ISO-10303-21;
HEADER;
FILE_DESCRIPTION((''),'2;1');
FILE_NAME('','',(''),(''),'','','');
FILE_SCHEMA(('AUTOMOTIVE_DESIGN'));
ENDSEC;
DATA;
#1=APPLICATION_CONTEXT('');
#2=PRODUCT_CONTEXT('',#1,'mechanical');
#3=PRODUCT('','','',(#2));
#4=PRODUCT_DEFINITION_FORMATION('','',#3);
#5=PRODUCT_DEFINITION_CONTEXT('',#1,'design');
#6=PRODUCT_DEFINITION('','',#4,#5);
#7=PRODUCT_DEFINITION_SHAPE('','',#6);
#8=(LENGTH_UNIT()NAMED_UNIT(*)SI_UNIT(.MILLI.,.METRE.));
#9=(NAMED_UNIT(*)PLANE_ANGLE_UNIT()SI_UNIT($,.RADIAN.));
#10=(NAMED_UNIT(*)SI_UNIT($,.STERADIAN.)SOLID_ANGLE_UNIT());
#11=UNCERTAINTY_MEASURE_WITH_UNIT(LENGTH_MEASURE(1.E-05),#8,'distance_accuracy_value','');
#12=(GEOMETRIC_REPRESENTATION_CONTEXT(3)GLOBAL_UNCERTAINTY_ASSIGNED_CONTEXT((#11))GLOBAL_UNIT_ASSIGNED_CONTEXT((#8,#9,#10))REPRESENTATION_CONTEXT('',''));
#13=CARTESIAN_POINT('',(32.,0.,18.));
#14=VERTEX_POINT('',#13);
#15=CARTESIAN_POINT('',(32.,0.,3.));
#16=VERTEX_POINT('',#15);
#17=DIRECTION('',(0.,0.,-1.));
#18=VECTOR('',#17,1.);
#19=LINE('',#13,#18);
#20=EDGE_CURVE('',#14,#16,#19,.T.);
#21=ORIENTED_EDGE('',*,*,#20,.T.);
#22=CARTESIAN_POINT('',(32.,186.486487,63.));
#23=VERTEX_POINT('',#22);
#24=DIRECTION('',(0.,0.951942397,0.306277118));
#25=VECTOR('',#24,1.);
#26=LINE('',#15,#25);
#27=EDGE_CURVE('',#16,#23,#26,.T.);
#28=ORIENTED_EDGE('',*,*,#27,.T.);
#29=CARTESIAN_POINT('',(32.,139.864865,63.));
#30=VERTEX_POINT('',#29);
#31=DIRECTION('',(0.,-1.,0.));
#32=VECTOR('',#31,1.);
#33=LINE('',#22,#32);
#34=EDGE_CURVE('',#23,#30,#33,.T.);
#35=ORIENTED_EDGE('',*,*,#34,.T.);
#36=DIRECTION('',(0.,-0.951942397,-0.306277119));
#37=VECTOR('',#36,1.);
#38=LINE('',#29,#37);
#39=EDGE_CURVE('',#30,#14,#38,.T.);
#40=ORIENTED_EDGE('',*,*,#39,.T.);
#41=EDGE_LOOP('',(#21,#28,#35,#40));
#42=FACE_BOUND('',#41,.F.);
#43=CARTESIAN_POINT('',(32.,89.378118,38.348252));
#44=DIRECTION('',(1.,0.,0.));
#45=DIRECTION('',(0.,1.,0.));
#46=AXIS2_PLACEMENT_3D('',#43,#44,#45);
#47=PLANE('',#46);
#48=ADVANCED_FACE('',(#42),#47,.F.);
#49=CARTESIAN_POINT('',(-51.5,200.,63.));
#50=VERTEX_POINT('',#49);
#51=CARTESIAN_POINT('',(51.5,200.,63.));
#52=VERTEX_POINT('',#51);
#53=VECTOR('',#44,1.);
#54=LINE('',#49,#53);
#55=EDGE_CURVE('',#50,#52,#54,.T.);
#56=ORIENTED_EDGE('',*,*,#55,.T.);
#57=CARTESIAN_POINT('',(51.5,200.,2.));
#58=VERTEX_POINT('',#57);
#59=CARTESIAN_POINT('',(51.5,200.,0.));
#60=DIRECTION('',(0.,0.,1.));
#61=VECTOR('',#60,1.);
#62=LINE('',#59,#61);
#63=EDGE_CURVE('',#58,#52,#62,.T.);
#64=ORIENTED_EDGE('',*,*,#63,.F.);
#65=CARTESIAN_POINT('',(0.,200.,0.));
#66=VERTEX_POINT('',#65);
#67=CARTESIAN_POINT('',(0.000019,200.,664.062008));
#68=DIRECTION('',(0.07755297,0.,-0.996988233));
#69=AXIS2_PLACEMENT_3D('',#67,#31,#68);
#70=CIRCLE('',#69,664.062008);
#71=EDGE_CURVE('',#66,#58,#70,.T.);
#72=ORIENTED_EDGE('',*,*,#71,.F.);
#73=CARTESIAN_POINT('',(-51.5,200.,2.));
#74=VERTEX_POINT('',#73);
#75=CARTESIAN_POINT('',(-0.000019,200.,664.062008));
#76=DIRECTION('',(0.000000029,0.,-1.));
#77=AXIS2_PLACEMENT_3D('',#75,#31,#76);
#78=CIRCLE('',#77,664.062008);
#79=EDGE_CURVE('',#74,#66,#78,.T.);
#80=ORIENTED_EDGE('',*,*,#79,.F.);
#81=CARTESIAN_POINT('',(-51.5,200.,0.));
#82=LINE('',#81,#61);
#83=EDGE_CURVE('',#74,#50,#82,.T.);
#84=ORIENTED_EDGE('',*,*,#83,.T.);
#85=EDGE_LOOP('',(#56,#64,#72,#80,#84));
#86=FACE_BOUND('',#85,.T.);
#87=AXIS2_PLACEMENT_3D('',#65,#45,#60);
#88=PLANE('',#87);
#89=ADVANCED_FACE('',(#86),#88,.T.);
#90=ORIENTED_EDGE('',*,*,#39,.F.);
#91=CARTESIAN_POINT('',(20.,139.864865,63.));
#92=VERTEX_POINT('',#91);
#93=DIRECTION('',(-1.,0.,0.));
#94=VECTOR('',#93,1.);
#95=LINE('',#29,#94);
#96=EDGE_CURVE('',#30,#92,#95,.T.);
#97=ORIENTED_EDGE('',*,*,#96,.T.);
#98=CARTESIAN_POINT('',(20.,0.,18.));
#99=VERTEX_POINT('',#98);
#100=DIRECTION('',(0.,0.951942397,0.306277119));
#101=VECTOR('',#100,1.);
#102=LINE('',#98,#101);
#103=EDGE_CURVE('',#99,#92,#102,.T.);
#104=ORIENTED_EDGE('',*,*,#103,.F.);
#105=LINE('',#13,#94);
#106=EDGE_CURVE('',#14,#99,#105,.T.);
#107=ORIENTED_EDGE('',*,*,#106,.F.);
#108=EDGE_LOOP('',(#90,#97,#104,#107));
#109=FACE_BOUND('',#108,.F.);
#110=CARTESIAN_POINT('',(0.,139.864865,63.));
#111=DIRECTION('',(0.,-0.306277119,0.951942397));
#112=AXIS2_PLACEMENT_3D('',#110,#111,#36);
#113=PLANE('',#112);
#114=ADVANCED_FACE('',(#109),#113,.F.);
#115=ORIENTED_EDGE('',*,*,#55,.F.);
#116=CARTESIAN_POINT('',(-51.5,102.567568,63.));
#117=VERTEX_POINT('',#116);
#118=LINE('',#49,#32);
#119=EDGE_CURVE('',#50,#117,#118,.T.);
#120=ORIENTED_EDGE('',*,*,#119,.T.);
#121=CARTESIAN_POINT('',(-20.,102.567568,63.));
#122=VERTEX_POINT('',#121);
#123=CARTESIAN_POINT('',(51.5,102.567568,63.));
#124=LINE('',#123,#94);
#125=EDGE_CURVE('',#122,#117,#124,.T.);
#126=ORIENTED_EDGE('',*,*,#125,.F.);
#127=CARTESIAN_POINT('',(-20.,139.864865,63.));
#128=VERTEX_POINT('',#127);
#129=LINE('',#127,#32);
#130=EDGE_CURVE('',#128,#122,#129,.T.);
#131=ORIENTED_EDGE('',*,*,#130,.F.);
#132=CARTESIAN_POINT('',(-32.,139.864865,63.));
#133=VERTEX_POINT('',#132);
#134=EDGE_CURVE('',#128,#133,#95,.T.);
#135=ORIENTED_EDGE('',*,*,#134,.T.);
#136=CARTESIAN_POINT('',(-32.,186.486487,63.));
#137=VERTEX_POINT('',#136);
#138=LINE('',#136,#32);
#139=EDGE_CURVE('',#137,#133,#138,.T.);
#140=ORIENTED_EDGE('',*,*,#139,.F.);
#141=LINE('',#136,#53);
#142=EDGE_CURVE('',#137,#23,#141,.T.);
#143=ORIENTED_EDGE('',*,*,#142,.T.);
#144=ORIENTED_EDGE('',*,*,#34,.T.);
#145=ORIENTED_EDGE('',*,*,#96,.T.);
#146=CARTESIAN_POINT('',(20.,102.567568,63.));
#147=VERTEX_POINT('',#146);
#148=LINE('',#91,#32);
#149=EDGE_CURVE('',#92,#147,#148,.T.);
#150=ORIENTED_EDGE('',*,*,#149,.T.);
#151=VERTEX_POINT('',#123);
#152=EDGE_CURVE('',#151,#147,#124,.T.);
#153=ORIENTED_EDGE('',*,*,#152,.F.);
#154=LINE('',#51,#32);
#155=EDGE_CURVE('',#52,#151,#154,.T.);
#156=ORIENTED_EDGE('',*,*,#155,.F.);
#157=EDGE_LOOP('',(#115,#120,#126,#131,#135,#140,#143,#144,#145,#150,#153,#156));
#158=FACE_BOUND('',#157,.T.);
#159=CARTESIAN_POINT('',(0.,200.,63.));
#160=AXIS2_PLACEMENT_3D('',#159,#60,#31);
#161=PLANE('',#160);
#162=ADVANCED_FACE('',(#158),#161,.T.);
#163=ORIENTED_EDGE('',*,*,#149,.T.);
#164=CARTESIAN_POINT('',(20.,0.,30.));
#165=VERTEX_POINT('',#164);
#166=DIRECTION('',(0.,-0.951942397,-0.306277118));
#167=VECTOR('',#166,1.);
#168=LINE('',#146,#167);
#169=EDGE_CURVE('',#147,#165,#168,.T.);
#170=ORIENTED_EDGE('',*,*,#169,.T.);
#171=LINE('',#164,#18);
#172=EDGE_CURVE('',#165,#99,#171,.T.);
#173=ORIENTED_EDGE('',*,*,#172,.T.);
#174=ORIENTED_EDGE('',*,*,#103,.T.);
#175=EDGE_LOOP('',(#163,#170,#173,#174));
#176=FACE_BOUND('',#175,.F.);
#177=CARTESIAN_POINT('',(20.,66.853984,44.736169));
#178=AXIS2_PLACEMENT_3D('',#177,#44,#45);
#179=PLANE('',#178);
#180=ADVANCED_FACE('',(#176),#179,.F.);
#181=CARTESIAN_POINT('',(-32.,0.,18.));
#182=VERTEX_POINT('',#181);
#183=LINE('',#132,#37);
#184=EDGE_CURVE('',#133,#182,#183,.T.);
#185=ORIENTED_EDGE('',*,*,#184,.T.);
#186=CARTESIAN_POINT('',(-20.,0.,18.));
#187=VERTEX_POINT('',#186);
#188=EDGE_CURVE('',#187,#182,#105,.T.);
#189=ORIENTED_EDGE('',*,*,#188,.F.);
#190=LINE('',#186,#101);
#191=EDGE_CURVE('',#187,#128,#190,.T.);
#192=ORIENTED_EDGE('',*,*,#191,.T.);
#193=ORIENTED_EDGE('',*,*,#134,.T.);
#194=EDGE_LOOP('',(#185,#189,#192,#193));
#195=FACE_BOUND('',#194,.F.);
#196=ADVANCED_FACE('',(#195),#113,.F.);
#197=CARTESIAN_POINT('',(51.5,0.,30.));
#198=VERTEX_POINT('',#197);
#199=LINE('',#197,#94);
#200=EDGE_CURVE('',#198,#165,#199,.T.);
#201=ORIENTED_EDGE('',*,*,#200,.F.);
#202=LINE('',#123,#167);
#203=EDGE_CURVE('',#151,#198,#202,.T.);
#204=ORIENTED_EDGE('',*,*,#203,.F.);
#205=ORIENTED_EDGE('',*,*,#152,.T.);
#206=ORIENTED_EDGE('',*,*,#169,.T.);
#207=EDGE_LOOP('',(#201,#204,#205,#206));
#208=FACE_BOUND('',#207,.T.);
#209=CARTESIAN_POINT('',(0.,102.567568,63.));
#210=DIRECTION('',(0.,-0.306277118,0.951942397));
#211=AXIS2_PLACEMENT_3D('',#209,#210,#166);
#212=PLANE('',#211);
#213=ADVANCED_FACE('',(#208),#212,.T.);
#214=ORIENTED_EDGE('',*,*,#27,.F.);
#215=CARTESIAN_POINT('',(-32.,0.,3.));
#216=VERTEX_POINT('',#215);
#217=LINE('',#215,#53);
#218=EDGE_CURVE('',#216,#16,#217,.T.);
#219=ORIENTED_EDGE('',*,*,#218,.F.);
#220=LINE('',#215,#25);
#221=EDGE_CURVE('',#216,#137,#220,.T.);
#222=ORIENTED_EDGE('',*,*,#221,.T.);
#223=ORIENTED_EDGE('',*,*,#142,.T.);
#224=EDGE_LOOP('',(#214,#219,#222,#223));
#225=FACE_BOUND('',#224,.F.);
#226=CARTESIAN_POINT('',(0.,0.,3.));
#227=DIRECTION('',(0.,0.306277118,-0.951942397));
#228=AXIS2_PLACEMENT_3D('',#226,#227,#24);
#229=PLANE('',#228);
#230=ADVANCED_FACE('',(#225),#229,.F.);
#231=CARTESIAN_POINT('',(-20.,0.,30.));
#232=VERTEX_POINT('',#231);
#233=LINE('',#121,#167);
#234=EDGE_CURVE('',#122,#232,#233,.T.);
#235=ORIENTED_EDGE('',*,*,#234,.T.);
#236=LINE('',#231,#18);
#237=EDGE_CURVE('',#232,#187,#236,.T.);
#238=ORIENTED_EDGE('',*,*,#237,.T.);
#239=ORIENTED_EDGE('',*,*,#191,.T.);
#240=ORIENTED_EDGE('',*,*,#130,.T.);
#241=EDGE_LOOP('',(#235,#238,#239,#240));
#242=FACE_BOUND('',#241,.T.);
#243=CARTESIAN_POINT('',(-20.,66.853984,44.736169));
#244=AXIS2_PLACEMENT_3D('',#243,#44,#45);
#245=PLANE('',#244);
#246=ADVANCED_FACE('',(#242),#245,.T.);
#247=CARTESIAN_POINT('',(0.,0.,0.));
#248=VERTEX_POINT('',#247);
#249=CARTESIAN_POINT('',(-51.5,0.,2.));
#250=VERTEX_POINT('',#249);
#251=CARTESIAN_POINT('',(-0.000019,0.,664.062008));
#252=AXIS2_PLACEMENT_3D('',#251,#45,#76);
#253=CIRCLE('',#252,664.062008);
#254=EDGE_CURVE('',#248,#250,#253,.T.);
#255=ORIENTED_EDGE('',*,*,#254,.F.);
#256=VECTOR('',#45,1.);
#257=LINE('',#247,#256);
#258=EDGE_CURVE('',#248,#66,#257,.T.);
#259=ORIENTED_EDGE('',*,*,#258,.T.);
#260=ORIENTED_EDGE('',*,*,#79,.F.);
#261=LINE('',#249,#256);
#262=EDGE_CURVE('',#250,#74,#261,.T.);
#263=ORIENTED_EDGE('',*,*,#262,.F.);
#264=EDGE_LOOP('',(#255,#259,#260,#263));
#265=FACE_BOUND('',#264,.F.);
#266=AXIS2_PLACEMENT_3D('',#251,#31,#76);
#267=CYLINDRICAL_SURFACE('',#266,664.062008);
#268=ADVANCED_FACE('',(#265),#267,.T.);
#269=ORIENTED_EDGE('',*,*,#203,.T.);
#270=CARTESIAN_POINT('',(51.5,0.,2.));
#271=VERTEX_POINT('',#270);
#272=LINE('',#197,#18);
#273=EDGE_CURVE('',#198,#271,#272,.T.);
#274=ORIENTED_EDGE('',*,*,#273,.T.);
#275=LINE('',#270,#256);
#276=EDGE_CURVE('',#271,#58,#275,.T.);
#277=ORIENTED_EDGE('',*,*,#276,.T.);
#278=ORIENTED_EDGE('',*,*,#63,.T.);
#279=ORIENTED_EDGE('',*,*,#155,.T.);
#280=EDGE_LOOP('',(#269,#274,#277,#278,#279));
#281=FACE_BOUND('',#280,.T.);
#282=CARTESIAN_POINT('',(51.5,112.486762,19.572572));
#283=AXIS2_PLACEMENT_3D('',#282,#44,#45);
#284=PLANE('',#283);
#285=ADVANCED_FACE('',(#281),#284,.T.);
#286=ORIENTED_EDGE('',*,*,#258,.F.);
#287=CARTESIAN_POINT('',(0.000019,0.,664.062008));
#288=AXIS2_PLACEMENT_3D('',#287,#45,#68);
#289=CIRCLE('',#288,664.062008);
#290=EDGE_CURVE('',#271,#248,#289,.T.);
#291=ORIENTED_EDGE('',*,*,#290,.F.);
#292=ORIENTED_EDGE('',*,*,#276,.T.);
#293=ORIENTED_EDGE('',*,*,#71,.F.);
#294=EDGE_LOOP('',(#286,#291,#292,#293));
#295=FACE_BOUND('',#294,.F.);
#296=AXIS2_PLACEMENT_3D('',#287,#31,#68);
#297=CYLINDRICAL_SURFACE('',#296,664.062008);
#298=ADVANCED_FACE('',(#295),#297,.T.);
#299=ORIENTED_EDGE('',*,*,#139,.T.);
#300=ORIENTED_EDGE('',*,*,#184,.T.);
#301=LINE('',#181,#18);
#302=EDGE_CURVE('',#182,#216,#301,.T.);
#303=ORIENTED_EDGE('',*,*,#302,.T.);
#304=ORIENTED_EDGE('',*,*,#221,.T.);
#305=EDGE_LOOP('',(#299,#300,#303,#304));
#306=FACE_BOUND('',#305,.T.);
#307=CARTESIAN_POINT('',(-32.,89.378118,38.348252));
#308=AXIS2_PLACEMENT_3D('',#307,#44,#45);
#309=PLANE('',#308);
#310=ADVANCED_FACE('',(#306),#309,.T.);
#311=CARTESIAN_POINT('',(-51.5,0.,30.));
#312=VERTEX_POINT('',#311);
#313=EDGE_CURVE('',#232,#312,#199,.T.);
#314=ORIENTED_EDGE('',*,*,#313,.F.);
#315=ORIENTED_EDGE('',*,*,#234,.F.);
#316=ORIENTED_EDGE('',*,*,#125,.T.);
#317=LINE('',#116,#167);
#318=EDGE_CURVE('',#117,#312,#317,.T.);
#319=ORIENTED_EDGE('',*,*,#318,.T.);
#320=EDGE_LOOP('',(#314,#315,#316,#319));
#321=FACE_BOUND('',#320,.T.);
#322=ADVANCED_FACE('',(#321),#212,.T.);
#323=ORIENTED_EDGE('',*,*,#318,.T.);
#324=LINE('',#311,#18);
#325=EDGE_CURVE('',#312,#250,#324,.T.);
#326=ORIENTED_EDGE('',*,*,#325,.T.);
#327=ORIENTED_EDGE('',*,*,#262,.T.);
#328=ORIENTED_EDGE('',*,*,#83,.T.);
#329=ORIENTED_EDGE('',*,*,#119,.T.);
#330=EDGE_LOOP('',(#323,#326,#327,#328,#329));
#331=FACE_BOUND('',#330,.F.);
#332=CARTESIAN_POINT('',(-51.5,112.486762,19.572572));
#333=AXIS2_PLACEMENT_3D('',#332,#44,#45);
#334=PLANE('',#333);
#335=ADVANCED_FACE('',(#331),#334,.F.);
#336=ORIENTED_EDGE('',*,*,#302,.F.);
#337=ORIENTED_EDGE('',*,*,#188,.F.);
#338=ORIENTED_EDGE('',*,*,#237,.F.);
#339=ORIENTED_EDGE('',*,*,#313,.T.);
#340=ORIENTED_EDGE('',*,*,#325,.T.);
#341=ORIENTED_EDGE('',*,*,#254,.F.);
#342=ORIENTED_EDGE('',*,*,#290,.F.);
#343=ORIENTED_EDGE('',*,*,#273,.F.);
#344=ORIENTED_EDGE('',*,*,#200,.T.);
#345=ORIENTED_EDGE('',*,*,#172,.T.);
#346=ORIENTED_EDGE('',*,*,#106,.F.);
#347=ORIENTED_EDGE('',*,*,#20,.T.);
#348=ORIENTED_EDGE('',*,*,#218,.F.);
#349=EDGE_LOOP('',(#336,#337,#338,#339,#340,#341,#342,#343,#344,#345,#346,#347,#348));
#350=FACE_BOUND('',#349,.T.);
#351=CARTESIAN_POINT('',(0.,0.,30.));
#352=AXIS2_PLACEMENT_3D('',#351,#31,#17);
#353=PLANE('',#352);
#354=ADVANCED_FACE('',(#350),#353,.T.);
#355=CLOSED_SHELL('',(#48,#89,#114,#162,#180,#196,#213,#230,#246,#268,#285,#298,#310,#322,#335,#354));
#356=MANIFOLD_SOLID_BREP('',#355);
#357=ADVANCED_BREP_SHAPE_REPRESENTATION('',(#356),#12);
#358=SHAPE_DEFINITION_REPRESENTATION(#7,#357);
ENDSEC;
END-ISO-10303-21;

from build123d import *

# Parameters (mm, degrees)
F1_DEPTH = 51.5
F2_DEPTH = 20
F3_DEPTH = 32
F5_DEPTH = 200.001


with BuildPart() as f1:
    # F0 (on Right) → F1 (new body, symmetric)
    with BuildSketch(Plane.YZ):
        Polygon((0, 3), (0, 0), (200, 0), (200, 63), (186.486487, 63), align=None)
        Polygon((0, 18), (0, 3), (186.486487, 63), (139.864865, 63), align=None)
        Polygon((0, 30), (0, 18), (139.864865, 63), (102.567568, 63), align=None)
    extrude(amount=F1_DEPTH, both=True)

    # F0 (on Right) → F2 (cut, symmetric)
    with BuildSketch(Plane.YZ):
        Polygon((0, 30), (0, 18), (139.864865, 63), (102.567568, 63), align=None)
    extrude(amount=F2_DEPTH, both=True, mode=Mode.SUBTRACT)

    # F0 (on Right) → F3 (cut, symmetric)
    with BuildSketch(Plane.YZ):
        Polygon((0, 18), (0, 3), (186.486487, 63), (139.864865, 63), align=None)
    extrude(amount=F3_DEPTH, both=True, mode=Mode.SUBTRACT)

    # F4 (on Front) → F5 (cut, through all)
    with BuildSketch(Plane.XZ):
        with BuildLine():
            Line((-51.5, 0), (0, 0))
            ThreePointArc((0, 0), (-25.76941, 0.500188), (-51.5, 2))
            Line((-51.5, 2), (-51.5, 0))
        make_face()
        with BuildLine():
            ThreePointArc((51.5, 2), (25.76941, 0.500188), (0, 0))
            Line((0, 0), (51.5, 0))
            Line((51.5, 0), (51.5, 2))
        make_face()
    extrude(amount=-F5_DEPTH, mode=Mode.SUBTRACT)


solid = f1.part
